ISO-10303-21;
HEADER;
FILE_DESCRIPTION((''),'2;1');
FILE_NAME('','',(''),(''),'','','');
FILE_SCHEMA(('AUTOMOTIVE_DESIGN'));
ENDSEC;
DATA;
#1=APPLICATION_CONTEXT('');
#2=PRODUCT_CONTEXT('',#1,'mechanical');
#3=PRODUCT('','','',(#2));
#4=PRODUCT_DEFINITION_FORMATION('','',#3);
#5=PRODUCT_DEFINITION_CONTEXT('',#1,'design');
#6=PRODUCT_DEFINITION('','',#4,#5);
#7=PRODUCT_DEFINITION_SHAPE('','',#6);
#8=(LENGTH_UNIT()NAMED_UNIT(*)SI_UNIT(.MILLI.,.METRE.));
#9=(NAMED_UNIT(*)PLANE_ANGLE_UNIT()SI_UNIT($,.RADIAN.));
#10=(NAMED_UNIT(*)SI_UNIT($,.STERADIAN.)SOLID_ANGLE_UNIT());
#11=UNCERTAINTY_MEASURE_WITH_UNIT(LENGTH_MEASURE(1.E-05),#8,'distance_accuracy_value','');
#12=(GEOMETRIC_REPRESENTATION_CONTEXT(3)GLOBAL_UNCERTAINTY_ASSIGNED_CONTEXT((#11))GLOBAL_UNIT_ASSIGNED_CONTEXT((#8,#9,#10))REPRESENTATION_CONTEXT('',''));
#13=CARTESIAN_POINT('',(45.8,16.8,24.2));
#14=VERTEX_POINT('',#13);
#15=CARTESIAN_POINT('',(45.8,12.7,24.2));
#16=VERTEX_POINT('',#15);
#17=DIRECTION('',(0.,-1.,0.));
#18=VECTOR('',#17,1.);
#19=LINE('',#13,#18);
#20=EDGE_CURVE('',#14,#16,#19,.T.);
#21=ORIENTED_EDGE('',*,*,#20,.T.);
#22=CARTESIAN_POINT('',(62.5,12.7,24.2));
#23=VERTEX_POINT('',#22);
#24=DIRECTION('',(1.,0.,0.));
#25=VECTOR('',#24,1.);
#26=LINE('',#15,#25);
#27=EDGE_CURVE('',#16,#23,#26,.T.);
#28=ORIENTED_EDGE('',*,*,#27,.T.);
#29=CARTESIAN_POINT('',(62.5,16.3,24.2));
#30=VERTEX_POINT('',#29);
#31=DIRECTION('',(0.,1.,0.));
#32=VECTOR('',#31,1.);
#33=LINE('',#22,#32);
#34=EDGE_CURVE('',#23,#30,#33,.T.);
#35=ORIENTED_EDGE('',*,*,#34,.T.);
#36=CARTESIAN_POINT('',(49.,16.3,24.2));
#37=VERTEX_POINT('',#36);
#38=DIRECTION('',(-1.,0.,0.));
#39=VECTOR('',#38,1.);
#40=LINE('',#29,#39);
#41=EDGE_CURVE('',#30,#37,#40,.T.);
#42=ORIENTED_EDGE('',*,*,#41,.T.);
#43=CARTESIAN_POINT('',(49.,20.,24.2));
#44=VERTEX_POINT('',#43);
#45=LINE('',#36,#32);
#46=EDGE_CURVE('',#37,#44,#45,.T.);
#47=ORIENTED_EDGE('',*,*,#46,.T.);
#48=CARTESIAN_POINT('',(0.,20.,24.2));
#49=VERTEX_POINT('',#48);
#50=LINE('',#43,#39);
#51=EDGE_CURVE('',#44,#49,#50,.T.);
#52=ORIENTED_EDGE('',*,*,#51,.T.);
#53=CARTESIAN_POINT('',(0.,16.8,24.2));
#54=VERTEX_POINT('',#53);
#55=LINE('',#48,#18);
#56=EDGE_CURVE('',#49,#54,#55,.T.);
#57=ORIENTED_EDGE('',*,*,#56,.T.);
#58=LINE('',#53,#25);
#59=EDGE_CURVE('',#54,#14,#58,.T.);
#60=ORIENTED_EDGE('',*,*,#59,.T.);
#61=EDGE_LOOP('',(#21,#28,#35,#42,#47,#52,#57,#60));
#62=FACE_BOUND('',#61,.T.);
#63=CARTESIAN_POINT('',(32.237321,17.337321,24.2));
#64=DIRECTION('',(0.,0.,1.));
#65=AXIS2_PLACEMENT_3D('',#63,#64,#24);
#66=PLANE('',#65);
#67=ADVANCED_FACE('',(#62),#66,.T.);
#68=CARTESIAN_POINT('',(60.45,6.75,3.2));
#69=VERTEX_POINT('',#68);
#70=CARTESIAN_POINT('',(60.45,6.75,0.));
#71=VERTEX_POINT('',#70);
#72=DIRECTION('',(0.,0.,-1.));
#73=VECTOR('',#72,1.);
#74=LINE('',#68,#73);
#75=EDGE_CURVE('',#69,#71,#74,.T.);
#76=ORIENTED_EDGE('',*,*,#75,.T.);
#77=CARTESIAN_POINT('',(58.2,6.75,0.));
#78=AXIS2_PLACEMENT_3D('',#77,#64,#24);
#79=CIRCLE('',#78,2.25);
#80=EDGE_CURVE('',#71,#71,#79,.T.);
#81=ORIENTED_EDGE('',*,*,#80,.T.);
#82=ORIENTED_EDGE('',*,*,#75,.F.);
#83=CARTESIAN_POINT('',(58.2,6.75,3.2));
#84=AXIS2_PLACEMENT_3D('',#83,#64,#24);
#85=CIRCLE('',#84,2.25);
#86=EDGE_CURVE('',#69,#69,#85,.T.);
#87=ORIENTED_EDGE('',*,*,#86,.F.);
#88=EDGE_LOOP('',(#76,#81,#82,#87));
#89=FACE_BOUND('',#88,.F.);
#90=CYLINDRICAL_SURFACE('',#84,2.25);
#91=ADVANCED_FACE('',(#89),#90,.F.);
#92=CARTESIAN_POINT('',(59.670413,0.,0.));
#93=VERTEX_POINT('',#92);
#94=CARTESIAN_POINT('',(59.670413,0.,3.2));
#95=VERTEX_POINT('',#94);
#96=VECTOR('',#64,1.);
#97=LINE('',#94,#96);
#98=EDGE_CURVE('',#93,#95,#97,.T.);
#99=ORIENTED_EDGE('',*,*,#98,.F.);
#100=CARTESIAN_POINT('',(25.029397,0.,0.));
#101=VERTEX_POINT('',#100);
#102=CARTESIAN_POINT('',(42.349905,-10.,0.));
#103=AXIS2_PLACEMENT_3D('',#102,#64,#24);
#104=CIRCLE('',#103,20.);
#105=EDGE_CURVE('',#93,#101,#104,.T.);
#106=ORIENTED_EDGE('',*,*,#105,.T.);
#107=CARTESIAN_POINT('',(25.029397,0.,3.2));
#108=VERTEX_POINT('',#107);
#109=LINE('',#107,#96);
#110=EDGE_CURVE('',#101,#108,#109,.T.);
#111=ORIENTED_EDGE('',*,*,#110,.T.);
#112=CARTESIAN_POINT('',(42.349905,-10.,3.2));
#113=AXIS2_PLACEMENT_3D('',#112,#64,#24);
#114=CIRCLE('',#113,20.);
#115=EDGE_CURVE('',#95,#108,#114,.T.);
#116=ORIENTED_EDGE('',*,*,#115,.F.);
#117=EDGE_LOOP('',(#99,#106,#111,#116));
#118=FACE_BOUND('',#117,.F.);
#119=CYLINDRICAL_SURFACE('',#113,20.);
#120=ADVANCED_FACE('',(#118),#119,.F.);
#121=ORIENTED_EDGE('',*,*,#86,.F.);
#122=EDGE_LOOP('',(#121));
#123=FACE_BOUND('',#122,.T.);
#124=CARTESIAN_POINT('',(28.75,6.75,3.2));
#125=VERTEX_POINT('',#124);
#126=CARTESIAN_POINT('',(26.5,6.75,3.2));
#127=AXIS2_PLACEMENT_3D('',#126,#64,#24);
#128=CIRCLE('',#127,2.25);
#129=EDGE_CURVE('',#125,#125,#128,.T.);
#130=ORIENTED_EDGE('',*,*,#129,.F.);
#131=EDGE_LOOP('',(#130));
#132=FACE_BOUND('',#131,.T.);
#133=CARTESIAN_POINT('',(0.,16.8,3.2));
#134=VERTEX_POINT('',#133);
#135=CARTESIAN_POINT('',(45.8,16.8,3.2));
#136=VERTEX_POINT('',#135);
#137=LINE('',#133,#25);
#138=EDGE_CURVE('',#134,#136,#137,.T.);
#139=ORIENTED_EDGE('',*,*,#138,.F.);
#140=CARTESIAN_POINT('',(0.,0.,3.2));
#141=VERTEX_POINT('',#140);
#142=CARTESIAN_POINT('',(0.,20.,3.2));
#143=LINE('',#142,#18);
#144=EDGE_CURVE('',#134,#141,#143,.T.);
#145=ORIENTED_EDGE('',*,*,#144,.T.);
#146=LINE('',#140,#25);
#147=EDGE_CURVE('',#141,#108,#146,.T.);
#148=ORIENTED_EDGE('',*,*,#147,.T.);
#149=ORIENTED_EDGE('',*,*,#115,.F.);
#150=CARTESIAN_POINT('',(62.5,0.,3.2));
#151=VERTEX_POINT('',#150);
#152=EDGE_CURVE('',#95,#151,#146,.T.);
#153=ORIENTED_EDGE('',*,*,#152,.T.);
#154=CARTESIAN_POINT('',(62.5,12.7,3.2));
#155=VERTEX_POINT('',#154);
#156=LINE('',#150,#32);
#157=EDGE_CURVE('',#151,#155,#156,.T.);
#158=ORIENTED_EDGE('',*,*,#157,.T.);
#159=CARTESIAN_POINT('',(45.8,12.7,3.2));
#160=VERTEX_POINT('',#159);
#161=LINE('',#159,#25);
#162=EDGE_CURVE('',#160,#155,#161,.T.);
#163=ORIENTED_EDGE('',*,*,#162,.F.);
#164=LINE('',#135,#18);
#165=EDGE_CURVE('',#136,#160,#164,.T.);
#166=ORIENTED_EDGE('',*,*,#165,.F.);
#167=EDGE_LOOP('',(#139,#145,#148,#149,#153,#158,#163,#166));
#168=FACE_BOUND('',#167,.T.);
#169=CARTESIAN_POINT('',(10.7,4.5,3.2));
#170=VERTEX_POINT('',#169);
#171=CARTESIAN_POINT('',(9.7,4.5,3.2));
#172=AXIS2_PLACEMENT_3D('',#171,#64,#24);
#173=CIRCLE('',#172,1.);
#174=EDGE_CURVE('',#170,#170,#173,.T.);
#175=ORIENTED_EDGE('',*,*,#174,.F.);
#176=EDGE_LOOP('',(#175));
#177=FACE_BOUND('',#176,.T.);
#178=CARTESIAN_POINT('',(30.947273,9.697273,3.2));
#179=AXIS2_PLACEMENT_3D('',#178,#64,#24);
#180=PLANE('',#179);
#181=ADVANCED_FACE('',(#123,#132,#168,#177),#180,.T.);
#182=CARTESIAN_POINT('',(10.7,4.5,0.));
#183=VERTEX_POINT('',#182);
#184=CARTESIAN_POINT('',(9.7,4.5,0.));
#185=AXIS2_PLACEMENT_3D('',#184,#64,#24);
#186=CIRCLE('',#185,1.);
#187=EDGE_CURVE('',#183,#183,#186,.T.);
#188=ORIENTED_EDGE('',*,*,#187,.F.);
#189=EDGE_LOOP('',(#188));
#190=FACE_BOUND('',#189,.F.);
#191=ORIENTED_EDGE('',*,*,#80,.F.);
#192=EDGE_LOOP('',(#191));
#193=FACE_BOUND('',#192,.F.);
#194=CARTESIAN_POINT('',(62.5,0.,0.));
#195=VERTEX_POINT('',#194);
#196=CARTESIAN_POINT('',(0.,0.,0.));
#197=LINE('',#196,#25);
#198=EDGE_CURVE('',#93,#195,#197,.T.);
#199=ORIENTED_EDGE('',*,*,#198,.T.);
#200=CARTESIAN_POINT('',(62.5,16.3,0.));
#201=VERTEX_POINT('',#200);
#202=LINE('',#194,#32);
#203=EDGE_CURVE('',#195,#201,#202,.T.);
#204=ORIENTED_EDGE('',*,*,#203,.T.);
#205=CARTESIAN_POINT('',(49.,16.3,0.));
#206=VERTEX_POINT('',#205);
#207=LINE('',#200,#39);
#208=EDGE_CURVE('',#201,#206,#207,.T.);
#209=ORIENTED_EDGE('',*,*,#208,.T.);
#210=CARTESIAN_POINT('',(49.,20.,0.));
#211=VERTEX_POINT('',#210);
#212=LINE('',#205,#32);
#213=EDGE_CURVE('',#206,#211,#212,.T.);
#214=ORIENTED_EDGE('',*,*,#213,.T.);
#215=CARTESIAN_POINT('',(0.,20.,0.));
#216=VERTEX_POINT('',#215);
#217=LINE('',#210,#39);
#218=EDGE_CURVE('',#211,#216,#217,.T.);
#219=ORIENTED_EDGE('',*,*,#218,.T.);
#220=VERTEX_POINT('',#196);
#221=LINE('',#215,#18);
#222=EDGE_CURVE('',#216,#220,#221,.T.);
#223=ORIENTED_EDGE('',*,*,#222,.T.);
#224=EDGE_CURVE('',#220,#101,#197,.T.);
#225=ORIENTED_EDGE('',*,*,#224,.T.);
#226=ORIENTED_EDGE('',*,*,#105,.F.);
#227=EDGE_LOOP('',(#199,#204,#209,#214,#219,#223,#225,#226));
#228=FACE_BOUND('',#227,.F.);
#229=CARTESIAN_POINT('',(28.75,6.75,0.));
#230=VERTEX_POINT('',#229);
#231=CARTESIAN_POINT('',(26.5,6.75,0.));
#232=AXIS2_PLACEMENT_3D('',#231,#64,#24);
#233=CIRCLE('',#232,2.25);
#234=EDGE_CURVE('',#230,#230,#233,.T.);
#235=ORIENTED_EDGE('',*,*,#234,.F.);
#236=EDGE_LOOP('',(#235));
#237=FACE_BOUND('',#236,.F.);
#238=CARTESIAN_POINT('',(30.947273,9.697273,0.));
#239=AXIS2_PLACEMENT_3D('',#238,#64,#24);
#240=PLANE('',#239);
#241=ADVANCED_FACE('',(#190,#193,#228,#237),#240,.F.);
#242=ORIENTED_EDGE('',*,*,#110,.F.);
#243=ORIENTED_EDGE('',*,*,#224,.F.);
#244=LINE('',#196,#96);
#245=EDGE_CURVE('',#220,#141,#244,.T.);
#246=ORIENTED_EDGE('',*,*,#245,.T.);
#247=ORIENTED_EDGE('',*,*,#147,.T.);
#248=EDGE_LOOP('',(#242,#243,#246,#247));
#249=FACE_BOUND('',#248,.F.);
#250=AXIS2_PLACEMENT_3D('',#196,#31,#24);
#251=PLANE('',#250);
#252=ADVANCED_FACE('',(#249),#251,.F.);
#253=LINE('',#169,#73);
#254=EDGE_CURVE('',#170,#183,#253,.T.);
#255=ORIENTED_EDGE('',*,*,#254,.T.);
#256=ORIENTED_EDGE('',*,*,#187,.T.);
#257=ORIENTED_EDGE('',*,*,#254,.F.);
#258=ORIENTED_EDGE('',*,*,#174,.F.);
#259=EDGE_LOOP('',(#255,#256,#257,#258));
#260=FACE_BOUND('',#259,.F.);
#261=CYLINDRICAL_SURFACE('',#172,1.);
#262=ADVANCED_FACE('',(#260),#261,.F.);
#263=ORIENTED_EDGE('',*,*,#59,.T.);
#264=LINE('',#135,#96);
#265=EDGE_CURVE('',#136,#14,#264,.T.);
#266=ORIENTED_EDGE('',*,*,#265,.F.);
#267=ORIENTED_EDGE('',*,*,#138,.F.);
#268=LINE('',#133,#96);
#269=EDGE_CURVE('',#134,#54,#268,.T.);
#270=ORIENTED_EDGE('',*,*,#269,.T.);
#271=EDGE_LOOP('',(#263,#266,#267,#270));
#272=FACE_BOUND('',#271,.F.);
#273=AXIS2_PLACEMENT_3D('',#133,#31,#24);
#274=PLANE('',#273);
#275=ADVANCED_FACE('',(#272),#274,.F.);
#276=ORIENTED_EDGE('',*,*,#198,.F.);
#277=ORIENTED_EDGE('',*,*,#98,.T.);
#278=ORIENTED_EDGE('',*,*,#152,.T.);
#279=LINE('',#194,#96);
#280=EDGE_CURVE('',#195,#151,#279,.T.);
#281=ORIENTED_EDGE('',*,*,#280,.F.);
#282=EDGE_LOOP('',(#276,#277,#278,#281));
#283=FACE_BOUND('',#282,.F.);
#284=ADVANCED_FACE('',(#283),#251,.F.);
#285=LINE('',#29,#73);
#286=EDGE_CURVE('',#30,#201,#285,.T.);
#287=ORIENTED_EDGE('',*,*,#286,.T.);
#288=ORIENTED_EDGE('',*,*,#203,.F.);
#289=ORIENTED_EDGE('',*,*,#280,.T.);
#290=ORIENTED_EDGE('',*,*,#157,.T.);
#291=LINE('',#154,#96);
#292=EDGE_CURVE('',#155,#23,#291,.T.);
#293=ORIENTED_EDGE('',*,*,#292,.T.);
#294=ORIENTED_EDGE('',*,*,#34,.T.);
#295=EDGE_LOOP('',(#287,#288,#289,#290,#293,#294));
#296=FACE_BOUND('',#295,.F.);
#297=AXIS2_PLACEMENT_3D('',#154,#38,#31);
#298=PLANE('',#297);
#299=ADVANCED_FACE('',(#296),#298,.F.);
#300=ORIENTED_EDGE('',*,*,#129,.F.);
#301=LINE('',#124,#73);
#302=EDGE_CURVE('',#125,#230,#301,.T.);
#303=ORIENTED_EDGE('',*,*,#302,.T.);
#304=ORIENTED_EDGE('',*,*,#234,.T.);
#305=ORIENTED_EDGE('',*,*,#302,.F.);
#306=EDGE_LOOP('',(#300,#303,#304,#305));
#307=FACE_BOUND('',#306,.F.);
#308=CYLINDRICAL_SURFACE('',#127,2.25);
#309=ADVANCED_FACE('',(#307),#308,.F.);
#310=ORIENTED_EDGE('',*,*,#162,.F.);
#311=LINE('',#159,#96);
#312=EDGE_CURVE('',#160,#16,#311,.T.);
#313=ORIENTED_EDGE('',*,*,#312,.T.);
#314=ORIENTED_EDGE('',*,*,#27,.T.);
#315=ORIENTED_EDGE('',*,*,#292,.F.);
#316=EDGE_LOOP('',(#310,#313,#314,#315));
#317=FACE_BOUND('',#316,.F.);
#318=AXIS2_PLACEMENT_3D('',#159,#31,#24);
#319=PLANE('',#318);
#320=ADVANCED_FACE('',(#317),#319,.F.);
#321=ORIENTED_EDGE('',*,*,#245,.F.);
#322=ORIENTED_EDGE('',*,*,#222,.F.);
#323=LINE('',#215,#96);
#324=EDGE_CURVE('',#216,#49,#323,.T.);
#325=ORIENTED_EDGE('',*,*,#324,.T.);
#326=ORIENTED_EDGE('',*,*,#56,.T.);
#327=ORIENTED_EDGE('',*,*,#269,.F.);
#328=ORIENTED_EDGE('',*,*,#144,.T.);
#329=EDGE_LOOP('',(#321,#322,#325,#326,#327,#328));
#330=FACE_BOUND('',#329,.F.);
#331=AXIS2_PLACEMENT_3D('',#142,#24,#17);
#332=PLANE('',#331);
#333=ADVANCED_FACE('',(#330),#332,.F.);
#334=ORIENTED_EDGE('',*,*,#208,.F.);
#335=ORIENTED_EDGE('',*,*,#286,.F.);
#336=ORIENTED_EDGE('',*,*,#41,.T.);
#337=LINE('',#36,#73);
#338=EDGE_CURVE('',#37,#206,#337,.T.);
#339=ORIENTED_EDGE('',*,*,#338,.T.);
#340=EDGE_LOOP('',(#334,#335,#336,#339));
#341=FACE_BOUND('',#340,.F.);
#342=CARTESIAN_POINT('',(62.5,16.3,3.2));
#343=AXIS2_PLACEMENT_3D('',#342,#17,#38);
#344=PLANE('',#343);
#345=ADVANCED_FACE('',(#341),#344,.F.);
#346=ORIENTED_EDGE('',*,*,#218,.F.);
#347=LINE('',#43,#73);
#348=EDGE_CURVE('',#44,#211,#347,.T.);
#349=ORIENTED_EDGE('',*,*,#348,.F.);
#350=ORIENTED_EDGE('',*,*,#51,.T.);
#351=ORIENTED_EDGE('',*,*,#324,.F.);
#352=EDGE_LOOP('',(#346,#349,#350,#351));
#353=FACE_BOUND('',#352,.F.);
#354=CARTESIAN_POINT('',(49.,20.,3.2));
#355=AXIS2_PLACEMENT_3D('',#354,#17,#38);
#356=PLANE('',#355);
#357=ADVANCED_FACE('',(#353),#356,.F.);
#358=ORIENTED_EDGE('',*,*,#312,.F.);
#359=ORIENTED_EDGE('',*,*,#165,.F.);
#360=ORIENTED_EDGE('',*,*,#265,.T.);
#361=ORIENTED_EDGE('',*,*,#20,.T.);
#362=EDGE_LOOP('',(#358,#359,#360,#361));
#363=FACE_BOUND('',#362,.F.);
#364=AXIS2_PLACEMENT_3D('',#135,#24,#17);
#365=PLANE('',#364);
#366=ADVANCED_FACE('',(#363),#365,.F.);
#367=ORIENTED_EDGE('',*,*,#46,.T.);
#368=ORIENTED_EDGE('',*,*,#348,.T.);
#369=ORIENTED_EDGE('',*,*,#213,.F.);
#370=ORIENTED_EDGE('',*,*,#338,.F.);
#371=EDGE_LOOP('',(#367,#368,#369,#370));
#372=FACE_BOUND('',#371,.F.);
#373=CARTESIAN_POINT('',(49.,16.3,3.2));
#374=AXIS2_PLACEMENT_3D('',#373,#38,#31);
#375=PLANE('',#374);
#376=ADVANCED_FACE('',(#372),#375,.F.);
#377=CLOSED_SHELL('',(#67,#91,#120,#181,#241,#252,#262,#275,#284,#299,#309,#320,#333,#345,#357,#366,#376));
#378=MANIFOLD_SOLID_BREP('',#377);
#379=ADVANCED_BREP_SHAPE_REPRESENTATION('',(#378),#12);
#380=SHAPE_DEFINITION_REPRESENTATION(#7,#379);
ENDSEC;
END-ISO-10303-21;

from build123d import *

# Parameters (mm, degrees)
F1_DEPTH = 3.2
F2_R     = 20
F3_DEPTH = 25
F4_R     = 1
F5_DEPTH = 25
F6_R     = 2.25
F7_DEPTH = 25
F9_DEPTH = 21


with BuildPart() as f1:
    # F0 (on Top) → F1 (new body)
    with BuildSketch(Plane.XY):
        Polygon((0, 0), (62.5, 0), (62.5, 16.3), (49, 16.3), (49, 20), (0, 20), align=None)
    extrude(amount=F1_DEPTH)

    # F2 (on face) → F3 (cut)
    with BuildSketch(Plane.XY.offset(3.2)):
        with Locations((42.349905, -10)):
            Circle(F2_R)
    extrude(amount=-F3_DEPTH, mode=Mode.SUBTRACT)

    # F4 (on face) → F5 (cut)
    with BuildSketch(Plane.XY.offset(3.2)):
        with Locations((9.7, 4.5)):
            Circle(F4_R)
    extrude(amount=-F5_DEPTH, mode=Mode.SUBTRACT)

    # F6 (on face) → F7 (cut)
    with BuildSketch(Plane.XY.offset(3.2)):
        with Locations((26.5, 6.75)):
            Circle(F6_R)
        with Locations((58.2, 6.75)):
            Circle(F6_R)
    extrude(amount=-F7_DEPTH, mode=Mode.SUBTRACT)

    # F8 (on face) → F9 (join)
    with BuildSketch(Plane.XY.offset(3.2)):
        Polygon((49, 20), (0, 20), (0, 16.8), (45.8, 16.8), (45.8, 12.7), (62.5, 12.7), (62.5, 16.3), (49, 16.3), align=None)
    extrude(amount=F9_DEPTH)


solid = f1.part
